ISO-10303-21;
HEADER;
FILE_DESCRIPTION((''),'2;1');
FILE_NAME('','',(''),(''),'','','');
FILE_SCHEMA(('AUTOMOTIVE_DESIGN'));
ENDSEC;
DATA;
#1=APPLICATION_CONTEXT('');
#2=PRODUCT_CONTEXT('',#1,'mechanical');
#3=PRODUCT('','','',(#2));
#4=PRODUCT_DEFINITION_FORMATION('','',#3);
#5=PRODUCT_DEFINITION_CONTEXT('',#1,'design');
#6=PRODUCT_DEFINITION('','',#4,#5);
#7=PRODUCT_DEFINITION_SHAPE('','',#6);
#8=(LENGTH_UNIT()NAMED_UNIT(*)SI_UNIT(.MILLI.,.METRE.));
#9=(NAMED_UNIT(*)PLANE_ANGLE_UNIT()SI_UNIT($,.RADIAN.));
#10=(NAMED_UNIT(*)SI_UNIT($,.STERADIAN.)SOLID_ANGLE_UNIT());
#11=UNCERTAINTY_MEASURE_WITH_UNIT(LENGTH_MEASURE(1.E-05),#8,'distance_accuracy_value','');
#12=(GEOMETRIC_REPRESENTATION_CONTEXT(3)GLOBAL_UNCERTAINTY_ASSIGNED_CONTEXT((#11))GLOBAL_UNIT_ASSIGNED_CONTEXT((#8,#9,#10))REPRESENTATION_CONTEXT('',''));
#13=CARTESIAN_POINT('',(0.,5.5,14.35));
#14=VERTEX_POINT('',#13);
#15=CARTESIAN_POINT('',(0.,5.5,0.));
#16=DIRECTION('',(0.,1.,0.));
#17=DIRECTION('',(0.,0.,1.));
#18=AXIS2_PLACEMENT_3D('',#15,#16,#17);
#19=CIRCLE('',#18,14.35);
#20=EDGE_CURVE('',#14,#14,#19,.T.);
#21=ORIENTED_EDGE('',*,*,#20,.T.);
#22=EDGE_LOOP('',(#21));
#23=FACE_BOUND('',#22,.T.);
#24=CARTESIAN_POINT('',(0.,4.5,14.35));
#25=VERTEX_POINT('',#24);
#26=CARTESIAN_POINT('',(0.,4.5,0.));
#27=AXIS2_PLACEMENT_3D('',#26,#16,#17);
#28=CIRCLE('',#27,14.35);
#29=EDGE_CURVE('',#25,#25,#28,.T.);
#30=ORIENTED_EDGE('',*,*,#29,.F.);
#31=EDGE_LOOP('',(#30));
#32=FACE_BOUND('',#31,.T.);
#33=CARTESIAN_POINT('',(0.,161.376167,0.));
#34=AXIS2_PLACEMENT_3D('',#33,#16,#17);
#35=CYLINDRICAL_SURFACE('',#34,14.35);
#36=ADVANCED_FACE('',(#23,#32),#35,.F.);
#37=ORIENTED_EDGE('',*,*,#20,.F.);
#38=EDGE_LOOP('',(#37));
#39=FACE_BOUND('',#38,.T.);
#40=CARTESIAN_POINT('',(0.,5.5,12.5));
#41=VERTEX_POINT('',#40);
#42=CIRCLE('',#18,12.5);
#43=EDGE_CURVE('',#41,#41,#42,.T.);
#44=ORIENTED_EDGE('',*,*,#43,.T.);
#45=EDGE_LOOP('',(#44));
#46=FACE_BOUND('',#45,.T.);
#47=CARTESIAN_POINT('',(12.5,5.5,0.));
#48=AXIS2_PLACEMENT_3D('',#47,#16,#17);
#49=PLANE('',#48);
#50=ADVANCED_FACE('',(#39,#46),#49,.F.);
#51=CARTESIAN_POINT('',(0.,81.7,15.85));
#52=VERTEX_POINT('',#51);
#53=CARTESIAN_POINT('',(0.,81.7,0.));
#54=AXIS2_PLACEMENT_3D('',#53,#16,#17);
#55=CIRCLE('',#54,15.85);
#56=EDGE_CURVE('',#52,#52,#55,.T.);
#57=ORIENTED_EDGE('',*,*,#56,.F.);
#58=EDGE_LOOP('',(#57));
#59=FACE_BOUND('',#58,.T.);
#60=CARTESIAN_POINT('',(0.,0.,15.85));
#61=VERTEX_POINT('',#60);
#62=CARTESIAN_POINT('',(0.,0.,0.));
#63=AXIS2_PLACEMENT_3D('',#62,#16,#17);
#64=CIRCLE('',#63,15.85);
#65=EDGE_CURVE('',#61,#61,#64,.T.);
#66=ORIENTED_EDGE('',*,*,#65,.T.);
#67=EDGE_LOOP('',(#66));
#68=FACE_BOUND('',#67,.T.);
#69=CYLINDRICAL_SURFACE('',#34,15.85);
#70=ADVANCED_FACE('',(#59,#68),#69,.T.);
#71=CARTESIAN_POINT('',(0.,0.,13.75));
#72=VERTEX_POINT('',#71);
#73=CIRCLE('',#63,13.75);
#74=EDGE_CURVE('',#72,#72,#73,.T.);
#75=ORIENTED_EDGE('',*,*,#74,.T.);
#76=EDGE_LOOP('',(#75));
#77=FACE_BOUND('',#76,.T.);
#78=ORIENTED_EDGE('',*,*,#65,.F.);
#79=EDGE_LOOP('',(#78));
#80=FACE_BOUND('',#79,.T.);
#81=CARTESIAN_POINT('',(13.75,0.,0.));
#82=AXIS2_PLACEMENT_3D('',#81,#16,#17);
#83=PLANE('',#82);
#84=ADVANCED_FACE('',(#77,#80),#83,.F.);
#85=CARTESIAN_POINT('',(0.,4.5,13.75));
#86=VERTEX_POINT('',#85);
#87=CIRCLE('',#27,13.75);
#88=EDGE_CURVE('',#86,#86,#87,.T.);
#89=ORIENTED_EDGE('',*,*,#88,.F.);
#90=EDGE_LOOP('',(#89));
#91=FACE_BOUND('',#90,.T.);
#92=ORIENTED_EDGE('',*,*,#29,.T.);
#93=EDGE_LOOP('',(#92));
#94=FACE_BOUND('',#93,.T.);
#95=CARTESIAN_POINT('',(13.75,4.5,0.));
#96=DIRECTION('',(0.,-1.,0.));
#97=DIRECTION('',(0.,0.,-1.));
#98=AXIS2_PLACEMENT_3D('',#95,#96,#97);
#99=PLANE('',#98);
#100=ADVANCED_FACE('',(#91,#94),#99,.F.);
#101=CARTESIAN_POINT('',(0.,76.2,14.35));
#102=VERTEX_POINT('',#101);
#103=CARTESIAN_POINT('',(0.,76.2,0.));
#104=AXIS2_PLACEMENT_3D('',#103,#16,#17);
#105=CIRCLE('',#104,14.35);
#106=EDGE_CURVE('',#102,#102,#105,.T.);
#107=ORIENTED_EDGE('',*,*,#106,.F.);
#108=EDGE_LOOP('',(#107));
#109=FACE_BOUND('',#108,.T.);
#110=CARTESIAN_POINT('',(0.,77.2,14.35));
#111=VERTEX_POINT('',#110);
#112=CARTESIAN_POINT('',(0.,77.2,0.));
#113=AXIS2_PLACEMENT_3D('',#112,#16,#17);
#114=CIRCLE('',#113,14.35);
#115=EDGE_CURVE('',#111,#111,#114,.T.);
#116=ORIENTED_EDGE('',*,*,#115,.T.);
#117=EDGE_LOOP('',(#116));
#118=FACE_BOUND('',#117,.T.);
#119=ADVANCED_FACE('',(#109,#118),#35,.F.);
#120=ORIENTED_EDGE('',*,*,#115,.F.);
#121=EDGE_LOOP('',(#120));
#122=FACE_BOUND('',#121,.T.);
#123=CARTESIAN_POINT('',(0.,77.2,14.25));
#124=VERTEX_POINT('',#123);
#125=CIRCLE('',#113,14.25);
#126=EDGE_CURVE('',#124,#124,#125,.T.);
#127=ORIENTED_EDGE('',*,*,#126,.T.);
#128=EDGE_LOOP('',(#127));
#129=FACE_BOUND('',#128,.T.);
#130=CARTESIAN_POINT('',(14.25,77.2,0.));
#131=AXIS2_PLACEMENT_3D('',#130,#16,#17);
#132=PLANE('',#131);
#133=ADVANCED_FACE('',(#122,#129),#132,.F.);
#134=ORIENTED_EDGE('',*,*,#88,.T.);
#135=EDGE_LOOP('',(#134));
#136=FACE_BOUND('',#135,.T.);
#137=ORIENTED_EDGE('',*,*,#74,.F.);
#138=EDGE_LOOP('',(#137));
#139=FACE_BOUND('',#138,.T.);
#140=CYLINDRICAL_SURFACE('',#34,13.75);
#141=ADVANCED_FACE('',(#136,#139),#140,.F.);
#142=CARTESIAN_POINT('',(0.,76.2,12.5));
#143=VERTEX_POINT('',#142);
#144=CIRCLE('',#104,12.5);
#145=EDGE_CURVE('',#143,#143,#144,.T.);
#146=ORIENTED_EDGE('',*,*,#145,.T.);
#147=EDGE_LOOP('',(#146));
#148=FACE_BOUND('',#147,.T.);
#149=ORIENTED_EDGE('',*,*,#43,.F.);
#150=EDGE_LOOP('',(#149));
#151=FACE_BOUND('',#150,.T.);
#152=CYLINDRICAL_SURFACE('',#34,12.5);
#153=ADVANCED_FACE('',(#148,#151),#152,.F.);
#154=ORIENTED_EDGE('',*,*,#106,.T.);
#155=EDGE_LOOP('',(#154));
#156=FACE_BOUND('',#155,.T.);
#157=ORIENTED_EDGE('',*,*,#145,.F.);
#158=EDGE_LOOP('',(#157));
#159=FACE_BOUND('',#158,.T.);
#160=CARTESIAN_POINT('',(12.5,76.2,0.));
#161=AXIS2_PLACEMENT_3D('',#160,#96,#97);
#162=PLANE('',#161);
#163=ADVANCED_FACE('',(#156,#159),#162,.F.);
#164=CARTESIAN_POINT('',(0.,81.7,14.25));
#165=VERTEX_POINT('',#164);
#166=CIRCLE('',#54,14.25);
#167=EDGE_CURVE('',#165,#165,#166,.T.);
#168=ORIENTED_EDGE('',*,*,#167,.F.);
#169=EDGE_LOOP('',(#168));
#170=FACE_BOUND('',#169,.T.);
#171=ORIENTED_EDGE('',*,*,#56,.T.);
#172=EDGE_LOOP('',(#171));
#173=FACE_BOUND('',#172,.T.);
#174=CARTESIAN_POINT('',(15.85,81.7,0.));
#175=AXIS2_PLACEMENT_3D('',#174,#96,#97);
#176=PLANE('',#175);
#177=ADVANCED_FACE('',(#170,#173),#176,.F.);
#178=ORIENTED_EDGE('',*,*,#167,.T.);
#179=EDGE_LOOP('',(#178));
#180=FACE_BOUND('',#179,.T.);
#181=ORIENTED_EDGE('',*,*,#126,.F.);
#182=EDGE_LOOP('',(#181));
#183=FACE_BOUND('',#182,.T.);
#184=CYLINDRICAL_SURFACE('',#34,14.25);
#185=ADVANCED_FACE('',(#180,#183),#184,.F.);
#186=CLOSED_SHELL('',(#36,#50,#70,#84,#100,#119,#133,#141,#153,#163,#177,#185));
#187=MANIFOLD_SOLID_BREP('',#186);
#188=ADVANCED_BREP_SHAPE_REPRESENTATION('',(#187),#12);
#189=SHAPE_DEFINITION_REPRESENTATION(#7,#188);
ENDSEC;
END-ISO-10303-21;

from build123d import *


with BuildPart() as part:
    # 草图1 → 旋转1 (revolve)
    with BuildSketch(Plane.XY, mode=Mode.PRIVATE) as revolve_1_sk:
        Polygon((13.75, 0), (13.75, 4.5), (14.35, 4.5), (14.35, 5.5), (12.5, 5.5), (12.5, 76.2), (14.35, 76.2), (14.35, 77.2), (14.25, 77.2), (14.25, 81.7), (15.85, 81.7), (15.85, 0), align=None)
    revolve(revolve_1_sk.sketch.rotate(Axis((0, 161.376166943, 0), (0, -1, 0)), 90), axis=Axis((0, 161.376166943, 0), (0, -1, 0)))  # turned: the seam where the file's is


solid = part.part
